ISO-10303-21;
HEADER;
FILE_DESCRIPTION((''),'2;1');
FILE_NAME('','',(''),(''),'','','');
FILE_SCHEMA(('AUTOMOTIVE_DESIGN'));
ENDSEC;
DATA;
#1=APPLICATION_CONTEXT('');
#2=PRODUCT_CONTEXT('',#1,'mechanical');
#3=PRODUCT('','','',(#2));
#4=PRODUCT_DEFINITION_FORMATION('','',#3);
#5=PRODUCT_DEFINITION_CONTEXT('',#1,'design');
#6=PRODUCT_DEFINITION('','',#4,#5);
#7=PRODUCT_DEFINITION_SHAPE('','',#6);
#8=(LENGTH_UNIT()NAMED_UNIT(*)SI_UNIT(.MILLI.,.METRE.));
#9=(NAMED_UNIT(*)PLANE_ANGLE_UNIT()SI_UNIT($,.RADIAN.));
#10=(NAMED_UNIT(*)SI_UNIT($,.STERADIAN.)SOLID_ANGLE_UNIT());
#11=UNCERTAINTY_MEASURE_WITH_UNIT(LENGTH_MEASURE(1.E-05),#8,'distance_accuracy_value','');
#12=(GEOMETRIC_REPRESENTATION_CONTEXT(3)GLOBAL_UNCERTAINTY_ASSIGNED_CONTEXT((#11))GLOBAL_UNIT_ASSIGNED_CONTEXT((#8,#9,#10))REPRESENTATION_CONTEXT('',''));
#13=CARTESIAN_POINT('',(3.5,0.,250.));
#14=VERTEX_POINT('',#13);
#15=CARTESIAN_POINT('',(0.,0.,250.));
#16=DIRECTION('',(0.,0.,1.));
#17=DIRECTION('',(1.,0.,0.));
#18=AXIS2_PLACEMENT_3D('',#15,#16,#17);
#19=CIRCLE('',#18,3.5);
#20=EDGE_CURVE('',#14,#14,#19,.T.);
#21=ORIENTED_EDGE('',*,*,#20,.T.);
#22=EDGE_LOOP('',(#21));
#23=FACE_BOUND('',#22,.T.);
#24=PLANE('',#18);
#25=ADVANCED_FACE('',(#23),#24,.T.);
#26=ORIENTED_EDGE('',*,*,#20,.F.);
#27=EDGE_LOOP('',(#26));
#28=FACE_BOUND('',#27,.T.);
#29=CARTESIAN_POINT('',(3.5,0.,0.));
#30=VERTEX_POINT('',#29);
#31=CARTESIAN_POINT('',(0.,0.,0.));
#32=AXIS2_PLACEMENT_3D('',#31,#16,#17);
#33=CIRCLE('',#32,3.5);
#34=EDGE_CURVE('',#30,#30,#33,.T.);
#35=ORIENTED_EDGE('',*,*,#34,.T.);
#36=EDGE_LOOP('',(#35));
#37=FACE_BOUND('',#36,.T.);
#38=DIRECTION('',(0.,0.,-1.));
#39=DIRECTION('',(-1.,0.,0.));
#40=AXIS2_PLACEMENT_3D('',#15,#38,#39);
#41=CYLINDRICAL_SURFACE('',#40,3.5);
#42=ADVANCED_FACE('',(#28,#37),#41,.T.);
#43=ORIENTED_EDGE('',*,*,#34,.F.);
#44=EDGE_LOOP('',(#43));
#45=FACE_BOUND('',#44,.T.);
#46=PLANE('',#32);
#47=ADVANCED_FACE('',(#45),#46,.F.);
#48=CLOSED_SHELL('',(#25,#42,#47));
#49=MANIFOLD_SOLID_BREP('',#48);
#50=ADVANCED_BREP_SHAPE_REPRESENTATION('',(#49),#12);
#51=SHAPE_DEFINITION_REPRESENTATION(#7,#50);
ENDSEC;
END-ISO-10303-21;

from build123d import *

# Parameters (mm, degrees)
SKETCH1_R           = 3.5
BOSS_EXTRUDE1_DEPTH = 250


with BuildPart() as part:
    # Sketch1 → Boss-Extrude1 (new body)
    with BuildSketch(Plane.XY):
        Circle(SKETCH1_R)
    extrude(amount=BOSS_EXTRUDE1_DEPTH)


solid = part.part
